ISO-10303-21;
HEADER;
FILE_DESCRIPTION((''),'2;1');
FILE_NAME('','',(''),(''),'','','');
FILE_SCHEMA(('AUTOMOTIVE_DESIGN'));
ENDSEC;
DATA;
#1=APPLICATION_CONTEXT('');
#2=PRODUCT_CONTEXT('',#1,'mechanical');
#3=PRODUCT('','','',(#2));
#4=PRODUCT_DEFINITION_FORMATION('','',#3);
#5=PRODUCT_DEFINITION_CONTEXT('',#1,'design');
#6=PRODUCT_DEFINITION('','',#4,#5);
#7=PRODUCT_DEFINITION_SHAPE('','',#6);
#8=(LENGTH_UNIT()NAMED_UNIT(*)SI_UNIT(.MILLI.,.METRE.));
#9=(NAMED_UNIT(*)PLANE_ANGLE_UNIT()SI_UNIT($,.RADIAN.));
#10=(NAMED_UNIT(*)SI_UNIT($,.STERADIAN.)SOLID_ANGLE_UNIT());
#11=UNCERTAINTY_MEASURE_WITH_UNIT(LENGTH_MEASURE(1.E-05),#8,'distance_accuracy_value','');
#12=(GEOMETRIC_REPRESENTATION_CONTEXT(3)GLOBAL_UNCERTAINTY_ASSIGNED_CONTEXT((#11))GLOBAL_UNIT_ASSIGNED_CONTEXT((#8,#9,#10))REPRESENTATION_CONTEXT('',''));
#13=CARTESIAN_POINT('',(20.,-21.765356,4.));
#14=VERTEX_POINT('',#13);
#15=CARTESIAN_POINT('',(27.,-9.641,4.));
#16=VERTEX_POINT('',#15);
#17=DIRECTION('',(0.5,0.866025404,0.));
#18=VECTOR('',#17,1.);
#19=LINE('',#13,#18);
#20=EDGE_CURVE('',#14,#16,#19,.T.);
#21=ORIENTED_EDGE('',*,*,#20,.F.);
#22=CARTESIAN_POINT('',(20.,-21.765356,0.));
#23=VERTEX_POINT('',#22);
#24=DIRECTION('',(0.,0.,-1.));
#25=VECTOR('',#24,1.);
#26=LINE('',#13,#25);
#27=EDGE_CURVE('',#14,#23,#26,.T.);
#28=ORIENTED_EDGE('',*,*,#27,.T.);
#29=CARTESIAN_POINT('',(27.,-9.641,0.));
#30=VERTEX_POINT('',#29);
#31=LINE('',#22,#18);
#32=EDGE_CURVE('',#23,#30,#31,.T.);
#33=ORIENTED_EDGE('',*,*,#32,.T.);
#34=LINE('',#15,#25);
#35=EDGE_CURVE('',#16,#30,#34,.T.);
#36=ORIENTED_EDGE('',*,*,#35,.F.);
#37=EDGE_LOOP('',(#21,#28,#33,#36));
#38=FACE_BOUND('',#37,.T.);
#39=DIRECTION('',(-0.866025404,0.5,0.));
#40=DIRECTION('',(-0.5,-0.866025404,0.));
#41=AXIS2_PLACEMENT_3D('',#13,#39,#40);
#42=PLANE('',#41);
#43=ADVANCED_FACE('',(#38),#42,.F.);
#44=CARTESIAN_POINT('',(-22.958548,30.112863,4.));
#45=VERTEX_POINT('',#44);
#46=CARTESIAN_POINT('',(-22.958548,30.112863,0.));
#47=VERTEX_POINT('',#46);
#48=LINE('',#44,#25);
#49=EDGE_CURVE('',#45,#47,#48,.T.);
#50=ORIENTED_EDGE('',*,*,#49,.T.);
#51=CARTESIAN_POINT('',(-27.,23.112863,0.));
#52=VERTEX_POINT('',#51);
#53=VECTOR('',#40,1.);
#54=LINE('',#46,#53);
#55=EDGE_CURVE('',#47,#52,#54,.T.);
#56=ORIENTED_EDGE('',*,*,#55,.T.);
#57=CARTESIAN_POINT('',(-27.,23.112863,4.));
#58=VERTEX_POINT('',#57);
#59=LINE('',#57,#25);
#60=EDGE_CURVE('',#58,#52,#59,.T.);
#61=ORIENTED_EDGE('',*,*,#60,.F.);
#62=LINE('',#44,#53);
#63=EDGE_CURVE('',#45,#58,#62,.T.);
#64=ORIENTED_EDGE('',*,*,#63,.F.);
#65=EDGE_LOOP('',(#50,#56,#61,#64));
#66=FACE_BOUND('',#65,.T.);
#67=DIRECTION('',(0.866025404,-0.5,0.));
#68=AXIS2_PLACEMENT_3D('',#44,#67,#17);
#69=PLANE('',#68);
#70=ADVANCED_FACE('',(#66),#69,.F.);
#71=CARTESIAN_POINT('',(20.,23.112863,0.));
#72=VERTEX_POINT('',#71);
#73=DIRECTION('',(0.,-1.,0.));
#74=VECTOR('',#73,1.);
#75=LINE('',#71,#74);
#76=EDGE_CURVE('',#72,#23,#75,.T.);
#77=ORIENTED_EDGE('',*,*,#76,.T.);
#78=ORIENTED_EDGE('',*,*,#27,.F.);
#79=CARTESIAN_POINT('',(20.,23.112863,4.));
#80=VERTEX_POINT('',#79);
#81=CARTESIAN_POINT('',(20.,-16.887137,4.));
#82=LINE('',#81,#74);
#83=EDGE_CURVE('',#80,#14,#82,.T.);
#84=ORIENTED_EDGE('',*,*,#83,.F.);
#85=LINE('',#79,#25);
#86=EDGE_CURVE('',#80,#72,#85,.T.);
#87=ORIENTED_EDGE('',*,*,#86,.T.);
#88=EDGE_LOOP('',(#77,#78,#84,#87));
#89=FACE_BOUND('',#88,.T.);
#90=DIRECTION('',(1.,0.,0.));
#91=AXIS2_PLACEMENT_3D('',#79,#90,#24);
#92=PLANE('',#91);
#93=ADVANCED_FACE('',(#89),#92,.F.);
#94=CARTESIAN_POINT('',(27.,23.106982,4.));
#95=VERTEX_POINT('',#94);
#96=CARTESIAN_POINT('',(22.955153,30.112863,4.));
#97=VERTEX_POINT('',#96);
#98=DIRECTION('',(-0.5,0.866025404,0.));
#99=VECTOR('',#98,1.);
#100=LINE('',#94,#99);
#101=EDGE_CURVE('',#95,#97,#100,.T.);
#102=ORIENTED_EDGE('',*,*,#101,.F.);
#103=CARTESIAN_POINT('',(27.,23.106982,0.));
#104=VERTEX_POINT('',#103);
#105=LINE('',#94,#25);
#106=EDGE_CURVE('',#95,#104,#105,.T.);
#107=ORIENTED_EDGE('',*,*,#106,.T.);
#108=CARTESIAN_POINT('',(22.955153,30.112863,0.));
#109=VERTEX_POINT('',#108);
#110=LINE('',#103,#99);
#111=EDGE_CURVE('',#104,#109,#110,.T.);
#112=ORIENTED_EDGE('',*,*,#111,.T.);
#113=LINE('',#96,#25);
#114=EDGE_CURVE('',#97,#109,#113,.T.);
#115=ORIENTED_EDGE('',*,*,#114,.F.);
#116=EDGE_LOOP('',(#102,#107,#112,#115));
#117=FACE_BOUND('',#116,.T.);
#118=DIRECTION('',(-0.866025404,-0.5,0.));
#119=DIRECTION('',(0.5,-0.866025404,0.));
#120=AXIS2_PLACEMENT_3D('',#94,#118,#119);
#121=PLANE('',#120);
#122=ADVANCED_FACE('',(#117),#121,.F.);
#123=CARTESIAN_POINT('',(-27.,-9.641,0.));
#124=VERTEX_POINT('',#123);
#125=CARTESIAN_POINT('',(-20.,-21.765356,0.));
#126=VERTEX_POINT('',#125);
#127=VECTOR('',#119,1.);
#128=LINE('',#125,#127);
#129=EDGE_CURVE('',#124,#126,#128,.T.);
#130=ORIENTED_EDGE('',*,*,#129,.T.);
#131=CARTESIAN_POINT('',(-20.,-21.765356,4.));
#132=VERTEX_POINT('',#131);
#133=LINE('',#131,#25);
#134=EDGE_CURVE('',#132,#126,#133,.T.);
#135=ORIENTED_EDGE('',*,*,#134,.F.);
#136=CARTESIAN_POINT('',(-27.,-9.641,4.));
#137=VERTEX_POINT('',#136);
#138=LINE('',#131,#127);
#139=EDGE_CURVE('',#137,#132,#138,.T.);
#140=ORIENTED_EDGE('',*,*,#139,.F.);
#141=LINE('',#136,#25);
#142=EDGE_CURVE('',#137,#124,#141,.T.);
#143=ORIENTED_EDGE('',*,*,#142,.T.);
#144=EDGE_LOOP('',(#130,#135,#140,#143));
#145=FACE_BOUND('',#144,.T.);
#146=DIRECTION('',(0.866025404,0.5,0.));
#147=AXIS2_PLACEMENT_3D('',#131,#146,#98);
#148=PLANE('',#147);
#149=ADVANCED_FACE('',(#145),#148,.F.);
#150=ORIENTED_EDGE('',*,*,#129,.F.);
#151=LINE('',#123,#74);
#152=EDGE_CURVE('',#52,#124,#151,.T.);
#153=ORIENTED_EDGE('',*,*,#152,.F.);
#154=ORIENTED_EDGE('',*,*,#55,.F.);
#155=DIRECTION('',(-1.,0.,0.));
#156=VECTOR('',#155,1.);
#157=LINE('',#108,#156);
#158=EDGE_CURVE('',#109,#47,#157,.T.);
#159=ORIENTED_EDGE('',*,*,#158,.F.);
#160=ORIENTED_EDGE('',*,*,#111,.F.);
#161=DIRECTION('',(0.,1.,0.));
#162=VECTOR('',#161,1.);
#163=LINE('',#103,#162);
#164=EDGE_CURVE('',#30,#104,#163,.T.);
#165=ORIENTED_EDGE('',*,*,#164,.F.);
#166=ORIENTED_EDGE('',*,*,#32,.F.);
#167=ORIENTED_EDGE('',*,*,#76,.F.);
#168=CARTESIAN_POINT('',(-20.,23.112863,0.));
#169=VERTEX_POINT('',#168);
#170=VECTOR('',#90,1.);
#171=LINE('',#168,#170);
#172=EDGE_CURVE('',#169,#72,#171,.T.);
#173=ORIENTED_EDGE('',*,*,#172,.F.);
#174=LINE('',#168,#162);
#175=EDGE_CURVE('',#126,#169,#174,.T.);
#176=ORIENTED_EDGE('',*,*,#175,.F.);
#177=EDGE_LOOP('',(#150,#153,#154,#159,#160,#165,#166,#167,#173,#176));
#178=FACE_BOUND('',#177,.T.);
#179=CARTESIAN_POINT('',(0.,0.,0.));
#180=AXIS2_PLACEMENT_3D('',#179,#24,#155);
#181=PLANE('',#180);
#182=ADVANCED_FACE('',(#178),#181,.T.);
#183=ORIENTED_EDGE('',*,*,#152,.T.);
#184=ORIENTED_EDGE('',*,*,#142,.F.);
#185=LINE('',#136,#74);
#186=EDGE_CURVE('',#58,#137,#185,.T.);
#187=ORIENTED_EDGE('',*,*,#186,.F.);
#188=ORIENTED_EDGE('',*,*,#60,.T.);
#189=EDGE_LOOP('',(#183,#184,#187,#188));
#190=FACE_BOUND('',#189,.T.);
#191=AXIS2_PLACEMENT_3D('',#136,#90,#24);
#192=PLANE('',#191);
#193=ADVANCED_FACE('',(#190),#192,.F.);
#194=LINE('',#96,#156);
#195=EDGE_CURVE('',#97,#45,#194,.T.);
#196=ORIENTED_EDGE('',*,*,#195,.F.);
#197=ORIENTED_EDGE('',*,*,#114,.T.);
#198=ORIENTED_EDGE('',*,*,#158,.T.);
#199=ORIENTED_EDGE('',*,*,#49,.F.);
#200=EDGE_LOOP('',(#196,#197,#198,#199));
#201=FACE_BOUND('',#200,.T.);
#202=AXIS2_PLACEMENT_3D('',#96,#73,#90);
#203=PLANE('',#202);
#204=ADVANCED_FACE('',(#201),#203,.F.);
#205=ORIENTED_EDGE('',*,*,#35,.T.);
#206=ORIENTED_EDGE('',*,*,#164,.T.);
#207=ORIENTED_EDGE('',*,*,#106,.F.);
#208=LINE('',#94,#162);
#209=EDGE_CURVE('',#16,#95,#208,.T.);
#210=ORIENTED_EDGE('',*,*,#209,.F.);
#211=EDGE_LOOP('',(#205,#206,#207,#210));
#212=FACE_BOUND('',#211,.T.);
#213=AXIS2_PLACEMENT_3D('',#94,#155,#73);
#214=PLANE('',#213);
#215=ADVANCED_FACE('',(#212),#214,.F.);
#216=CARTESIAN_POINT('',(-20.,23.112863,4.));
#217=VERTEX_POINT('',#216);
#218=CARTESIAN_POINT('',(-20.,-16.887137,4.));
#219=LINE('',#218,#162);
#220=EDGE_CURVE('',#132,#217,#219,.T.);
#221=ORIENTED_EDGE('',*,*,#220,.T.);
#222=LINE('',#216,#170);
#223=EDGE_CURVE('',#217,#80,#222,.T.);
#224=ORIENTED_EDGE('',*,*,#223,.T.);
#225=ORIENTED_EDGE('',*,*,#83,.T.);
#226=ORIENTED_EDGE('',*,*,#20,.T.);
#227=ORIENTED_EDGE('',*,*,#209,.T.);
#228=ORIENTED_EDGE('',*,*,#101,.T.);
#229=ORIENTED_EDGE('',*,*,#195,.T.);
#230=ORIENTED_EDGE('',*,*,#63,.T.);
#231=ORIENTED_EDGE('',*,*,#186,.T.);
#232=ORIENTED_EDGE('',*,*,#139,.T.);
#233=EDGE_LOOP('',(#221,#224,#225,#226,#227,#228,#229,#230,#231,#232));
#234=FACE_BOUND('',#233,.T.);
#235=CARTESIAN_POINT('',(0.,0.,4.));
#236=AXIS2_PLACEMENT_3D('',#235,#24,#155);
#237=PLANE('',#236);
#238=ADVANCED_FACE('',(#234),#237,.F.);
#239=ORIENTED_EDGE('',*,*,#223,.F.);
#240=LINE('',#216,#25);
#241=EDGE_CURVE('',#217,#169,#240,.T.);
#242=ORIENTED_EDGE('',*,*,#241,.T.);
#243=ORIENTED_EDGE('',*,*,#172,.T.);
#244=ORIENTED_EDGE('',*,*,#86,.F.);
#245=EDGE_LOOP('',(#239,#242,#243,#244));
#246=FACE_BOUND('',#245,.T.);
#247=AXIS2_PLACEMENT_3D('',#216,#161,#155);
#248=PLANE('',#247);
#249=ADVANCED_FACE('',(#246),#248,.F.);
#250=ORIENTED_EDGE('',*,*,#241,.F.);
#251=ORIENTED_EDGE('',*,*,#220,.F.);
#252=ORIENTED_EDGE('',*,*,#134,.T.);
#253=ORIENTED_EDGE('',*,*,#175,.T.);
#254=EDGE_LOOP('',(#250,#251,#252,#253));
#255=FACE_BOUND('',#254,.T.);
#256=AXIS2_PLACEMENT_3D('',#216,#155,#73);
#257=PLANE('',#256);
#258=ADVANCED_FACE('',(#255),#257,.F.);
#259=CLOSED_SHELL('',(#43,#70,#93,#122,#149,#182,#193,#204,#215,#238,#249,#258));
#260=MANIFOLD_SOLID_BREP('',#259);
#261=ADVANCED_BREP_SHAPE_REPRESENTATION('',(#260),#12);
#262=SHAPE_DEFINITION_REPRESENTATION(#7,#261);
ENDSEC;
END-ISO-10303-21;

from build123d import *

# Parameters (mm, degrees)
BOSS_EXTRUDE1_DEPTH = 4


with BuildPart() as part:
    # Sketch1 → Boss-Extrude1 (new body)
    with BuildSketch(Plane.XY):
        Polygon((-20, -21.765355562), (-27, -9.640999909), (-27, 23.112863055), (-22.958548116, 30.112863055), (22.955152916, 30.112863055), (27, 23.106982397), (27, -9.640999909), (20, -21.765355562), (20, -16.887136945), (20, 23.112863055), (-20, 23.112863055), (-20, -16.887136945), align=None)
    extrude(amount=BOSS_EXTRUDE1_DEPTH)


solid = part.part
